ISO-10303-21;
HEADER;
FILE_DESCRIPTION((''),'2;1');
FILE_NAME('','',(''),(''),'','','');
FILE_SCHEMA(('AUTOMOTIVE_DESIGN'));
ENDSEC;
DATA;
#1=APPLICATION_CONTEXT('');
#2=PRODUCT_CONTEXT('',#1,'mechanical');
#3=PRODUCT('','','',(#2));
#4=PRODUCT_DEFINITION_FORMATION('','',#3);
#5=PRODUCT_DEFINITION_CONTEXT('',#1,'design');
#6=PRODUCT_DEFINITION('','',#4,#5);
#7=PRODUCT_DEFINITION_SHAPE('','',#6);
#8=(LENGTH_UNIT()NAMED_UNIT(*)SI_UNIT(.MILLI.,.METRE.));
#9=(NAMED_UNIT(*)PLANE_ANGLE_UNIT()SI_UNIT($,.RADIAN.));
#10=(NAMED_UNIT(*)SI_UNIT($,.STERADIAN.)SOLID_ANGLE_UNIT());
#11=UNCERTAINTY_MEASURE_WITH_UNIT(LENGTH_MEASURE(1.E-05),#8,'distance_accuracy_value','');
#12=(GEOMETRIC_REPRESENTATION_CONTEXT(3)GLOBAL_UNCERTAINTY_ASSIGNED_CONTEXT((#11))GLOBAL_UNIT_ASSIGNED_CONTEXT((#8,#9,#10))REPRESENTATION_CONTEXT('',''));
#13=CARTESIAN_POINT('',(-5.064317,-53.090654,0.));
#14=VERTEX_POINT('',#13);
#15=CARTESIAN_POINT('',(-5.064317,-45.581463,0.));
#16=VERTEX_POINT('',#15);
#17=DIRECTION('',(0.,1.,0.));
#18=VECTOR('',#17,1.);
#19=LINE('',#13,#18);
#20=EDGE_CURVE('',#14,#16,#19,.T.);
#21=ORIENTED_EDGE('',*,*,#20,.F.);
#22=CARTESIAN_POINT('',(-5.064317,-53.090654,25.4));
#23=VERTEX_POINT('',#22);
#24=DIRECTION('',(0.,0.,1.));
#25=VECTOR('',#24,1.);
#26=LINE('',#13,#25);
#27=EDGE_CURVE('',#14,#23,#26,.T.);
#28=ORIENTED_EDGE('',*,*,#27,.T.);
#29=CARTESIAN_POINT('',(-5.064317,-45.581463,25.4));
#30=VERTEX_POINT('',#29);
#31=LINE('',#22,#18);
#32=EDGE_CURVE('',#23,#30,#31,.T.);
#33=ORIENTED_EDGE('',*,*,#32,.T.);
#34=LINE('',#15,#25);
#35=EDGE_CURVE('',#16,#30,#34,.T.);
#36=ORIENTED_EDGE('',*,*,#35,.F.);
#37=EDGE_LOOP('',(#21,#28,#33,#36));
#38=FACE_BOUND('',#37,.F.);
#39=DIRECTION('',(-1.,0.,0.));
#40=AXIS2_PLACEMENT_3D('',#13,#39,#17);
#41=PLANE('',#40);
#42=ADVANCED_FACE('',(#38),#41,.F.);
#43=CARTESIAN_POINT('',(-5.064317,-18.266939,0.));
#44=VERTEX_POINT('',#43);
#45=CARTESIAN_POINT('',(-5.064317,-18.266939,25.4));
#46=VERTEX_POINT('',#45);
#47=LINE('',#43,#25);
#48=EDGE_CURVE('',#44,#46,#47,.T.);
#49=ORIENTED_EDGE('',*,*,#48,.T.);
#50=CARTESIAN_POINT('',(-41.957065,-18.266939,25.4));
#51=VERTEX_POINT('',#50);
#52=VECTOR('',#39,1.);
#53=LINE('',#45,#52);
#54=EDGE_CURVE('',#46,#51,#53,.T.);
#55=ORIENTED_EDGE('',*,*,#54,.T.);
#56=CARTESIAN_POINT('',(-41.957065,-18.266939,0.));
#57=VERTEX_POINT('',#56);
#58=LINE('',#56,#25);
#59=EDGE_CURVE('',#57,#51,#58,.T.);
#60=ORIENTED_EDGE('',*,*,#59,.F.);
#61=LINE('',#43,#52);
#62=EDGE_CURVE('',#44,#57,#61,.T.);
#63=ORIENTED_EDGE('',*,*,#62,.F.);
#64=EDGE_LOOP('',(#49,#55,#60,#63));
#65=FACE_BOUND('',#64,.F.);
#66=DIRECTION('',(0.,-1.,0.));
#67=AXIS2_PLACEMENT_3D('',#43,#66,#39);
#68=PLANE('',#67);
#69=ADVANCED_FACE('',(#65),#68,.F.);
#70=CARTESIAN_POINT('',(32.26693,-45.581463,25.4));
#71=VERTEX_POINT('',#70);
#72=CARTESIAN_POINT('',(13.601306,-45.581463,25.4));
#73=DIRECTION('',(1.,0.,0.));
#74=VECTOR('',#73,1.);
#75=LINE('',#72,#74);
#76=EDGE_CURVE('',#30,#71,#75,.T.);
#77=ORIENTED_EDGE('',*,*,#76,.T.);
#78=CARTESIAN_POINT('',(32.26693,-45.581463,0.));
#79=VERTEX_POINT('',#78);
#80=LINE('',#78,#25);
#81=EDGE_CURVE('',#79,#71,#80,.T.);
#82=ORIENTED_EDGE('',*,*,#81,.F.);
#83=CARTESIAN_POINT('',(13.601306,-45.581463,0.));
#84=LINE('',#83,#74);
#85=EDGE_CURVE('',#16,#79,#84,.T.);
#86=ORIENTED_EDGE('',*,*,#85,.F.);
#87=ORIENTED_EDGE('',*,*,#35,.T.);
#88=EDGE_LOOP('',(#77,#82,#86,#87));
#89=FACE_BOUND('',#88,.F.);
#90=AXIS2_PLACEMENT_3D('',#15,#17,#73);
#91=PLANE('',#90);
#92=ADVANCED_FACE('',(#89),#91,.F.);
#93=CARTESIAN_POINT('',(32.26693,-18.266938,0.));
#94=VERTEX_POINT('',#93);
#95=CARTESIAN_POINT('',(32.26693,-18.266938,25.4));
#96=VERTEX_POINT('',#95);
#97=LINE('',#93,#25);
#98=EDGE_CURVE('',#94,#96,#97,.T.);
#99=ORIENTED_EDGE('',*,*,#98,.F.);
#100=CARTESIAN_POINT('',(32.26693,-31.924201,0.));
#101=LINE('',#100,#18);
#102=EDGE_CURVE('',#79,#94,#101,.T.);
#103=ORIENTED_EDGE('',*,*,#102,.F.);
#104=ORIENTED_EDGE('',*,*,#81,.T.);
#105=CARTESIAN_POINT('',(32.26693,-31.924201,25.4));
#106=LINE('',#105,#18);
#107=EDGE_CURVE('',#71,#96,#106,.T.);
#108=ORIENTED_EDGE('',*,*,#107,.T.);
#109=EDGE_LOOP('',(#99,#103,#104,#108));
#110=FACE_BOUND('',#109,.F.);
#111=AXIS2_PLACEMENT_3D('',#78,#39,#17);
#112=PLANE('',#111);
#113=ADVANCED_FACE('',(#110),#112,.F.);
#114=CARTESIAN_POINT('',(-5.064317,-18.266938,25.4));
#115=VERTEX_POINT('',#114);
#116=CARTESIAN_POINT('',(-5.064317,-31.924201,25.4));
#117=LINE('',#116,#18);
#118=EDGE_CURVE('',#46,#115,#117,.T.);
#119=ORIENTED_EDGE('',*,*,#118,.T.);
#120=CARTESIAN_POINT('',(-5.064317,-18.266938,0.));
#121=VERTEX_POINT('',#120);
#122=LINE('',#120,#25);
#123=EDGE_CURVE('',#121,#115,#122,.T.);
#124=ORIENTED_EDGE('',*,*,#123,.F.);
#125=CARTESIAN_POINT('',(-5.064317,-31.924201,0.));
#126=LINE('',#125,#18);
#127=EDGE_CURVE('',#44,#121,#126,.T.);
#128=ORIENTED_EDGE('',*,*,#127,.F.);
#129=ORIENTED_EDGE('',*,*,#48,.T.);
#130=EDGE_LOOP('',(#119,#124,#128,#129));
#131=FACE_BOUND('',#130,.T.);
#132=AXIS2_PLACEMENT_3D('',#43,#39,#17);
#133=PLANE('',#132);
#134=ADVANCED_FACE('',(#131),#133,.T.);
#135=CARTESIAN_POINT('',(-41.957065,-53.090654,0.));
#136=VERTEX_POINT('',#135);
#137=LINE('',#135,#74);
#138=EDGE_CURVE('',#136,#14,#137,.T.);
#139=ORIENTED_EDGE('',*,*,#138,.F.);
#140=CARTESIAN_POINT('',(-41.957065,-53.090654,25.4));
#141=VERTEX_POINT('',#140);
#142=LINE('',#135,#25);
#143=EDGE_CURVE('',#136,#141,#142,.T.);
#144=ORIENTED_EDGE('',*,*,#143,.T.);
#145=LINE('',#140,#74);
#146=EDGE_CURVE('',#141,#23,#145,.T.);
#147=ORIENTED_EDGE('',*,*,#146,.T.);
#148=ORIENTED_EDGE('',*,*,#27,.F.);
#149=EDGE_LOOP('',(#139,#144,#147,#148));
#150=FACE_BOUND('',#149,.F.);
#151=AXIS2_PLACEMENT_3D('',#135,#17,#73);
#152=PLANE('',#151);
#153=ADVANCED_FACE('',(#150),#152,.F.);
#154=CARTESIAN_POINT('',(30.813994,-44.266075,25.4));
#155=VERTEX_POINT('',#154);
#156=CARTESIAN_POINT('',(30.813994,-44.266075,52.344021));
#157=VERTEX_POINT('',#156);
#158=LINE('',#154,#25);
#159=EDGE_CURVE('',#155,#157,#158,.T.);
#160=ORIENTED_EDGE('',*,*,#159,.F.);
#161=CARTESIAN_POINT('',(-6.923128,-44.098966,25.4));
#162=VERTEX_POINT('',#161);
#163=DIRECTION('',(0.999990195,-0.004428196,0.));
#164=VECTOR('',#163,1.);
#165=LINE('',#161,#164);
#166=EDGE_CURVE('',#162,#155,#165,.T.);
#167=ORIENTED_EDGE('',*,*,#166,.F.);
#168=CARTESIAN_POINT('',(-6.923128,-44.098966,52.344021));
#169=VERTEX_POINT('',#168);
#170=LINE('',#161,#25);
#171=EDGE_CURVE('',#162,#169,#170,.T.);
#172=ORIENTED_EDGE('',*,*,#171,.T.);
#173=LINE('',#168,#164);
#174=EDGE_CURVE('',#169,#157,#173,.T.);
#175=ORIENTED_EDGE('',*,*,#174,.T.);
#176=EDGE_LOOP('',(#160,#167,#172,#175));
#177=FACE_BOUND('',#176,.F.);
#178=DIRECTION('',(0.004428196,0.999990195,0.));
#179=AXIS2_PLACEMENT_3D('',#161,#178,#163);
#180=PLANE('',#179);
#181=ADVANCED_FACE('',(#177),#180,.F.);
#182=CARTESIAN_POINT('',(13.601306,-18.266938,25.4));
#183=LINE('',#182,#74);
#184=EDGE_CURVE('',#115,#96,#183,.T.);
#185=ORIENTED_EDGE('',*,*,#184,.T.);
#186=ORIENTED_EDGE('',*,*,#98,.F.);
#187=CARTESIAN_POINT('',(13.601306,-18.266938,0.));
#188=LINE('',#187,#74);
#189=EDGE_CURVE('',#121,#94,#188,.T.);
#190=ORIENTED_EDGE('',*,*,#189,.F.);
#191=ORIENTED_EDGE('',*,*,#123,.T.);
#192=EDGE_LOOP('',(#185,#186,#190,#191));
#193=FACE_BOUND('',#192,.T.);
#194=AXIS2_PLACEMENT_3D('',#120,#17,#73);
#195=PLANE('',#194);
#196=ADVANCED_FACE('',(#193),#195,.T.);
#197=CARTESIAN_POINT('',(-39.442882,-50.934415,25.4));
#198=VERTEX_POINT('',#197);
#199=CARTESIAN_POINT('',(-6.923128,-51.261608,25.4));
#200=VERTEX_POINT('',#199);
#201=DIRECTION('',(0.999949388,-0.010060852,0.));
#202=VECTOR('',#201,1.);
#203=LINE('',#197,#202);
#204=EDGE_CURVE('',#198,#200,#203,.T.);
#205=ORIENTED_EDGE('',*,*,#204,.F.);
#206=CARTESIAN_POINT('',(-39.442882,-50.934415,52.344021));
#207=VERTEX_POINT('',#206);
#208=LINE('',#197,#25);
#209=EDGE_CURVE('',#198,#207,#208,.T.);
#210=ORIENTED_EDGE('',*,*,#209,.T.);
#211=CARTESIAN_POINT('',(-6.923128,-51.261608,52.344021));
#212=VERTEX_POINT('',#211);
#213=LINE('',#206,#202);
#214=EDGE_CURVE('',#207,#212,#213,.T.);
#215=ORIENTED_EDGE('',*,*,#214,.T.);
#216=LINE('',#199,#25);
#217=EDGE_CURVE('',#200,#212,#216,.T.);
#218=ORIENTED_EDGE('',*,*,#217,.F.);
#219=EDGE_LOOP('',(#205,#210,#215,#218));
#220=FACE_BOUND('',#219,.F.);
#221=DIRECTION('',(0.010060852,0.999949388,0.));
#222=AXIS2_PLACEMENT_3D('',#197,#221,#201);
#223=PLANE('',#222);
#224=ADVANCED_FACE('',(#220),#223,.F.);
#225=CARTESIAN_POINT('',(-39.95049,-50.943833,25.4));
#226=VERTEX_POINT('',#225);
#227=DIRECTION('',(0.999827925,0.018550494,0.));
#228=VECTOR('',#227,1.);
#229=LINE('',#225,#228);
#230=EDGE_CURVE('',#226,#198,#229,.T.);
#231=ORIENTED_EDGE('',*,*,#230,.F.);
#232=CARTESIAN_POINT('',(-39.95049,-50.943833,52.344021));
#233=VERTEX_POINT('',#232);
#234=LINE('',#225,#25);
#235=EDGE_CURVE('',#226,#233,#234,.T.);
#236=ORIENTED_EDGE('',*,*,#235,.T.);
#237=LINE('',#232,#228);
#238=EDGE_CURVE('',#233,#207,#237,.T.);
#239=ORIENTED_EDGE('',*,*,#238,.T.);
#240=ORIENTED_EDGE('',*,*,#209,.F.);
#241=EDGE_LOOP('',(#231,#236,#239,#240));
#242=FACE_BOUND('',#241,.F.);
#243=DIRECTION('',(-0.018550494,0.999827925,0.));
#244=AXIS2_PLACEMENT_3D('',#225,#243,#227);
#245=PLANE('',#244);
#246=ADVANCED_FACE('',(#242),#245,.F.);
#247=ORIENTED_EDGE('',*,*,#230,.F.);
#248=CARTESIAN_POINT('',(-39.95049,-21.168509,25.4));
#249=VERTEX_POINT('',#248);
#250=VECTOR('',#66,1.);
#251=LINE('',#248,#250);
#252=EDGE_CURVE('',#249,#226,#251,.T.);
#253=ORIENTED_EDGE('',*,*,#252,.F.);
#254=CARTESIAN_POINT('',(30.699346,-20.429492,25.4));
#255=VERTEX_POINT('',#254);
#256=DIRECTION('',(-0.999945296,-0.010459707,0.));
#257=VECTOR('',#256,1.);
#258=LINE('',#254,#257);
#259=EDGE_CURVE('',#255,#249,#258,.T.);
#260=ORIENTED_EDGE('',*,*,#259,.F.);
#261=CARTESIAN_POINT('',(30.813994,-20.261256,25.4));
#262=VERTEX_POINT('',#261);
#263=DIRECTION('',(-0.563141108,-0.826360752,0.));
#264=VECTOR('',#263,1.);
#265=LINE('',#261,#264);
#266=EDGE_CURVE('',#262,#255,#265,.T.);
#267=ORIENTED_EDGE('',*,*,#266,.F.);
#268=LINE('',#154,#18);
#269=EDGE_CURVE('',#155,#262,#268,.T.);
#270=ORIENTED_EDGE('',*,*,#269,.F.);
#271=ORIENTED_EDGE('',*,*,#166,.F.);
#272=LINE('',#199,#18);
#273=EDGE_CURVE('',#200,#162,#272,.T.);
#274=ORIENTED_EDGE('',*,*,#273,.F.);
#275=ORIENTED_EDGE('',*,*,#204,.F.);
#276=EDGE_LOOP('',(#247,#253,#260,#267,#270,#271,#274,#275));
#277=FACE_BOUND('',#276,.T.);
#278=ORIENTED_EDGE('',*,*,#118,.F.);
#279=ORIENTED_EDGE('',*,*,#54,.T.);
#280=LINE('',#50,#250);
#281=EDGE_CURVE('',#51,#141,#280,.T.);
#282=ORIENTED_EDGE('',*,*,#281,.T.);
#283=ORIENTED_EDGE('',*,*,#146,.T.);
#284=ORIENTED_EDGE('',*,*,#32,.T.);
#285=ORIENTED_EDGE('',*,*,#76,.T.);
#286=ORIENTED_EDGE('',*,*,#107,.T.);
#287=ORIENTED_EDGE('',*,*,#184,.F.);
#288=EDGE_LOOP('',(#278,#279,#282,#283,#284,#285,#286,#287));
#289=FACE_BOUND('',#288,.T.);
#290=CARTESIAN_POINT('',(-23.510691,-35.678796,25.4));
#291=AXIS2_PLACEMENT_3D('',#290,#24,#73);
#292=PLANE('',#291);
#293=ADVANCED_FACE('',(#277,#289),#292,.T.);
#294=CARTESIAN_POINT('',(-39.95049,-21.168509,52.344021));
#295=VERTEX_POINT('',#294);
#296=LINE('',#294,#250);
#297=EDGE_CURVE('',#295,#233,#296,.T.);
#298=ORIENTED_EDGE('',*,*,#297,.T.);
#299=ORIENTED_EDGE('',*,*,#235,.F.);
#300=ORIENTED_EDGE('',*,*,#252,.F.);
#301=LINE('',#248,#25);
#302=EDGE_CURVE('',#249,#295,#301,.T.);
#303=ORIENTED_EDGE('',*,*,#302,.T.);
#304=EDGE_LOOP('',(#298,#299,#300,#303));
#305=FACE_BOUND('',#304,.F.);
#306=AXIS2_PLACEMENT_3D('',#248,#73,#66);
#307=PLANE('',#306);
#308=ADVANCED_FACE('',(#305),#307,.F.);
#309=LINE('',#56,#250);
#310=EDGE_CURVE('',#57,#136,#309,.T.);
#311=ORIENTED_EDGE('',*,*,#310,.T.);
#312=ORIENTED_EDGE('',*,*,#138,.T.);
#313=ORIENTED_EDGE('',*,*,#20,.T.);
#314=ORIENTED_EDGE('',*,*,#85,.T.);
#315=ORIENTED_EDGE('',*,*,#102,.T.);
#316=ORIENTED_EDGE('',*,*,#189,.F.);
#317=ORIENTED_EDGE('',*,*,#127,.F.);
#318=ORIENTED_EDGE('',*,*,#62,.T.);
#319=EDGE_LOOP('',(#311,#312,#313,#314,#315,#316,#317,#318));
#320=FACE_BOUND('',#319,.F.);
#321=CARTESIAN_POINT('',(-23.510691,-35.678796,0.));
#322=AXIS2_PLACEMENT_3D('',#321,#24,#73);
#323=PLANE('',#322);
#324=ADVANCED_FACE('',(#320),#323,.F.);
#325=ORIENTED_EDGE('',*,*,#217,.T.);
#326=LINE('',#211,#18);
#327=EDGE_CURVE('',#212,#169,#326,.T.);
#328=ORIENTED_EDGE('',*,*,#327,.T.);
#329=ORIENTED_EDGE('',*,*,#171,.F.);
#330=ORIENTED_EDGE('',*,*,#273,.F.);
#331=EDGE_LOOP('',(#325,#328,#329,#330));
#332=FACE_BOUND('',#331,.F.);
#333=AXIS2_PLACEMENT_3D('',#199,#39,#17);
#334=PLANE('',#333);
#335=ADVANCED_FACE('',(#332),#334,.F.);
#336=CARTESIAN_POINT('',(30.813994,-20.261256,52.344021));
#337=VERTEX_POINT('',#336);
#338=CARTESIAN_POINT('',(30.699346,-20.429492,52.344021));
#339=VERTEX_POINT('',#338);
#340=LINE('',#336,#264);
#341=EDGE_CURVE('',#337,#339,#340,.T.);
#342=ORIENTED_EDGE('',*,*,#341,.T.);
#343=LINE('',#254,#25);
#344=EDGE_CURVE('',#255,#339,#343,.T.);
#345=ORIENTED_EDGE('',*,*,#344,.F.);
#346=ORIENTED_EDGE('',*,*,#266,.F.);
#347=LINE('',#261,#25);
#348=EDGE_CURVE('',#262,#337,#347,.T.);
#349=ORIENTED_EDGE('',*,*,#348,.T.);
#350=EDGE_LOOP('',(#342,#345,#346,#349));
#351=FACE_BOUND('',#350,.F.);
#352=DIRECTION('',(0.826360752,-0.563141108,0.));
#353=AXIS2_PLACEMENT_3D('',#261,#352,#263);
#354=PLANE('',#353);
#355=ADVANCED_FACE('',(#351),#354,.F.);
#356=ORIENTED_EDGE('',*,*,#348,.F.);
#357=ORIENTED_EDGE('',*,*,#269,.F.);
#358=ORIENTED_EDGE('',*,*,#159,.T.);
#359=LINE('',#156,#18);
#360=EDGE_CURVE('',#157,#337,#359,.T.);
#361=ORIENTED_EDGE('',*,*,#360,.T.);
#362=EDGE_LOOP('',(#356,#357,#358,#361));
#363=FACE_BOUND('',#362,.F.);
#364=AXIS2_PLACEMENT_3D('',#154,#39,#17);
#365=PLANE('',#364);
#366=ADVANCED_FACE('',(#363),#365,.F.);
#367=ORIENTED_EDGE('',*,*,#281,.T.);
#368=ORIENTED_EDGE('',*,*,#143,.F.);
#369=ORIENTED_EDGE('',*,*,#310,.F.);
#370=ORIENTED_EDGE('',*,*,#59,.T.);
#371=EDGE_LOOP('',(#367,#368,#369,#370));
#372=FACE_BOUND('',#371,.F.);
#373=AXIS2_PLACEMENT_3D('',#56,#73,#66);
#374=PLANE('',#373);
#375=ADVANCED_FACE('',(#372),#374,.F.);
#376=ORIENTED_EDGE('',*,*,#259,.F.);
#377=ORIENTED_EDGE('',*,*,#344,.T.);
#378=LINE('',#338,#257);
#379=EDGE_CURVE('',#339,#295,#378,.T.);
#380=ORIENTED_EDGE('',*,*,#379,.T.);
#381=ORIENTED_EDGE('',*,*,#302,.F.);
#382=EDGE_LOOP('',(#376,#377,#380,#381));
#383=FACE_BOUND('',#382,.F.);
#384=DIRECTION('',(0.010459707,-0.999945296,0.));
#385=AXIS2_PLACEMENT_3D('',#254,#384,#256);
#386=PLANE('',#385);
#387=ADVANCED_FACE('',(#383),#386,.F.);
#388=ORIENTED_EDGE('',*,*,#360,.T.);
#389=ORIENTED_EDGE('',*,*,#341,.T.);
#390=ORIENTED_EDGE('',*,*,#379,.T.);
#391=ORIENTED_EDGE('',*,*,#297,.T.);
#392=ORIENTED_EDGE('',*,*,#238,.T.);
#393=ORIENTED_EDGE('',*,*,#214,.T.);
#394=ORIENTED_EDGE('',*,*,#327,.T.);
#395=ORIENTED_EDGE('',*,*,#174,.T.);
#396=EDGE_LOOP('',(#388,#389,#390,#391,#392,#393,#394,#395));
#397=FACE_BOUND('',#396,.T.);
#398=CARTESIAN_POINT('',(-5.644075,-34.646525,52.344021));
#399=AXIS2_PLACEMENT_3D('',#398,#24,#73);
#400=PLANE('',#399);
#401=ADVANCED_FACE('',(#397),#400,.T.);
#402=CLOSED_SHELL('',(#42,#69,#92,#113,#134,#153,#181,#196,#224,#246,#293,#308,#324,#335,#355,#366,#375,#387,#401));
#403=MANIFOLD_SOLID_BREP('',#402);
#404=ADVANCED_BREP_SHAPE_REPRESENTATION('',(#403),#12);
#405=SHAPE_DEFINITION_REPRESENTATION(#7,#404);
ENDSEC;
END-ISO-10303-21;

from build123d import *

# Parameters (mm, degrees)
F0_W     = 37.331247
F0_H     = 27.314525
F1_DEPTH = 25.4
F3_DEPTH = 26.944021


with BuildPart() as f1:
    # F0 (on Top) → F1 (new body)
    with BuildSketch(Plane.XY):
        Polygon((-5.064317, -18.266939), (-41.957065, -18.266939), (-41.957065, -53.090654), (-5.064317, -53.090654), (-5.064317, -45.581464), align=None)
        with Locations((13.601306, -31.924201)):
            Rectangle(F0_W, F0_H)
    extrude(amount=F1_DEPTH)

    # F2 (on face) → F3 (join)
    with BuildSketch(Plane.XY.offset(25.4)):
        Polygon((30.699346, -20.429492), (-39.95049, -21.168509), (-39.95049, -50.943833), (-39.442882, -50.934415), (-6.923128, -51.261608), (-6.923128, -44.098966), (30.813994, -44.266075), (30.813994, -20.261256), align=None)
    extrude(amount=F3_DEPTH)


solid = f1.part
